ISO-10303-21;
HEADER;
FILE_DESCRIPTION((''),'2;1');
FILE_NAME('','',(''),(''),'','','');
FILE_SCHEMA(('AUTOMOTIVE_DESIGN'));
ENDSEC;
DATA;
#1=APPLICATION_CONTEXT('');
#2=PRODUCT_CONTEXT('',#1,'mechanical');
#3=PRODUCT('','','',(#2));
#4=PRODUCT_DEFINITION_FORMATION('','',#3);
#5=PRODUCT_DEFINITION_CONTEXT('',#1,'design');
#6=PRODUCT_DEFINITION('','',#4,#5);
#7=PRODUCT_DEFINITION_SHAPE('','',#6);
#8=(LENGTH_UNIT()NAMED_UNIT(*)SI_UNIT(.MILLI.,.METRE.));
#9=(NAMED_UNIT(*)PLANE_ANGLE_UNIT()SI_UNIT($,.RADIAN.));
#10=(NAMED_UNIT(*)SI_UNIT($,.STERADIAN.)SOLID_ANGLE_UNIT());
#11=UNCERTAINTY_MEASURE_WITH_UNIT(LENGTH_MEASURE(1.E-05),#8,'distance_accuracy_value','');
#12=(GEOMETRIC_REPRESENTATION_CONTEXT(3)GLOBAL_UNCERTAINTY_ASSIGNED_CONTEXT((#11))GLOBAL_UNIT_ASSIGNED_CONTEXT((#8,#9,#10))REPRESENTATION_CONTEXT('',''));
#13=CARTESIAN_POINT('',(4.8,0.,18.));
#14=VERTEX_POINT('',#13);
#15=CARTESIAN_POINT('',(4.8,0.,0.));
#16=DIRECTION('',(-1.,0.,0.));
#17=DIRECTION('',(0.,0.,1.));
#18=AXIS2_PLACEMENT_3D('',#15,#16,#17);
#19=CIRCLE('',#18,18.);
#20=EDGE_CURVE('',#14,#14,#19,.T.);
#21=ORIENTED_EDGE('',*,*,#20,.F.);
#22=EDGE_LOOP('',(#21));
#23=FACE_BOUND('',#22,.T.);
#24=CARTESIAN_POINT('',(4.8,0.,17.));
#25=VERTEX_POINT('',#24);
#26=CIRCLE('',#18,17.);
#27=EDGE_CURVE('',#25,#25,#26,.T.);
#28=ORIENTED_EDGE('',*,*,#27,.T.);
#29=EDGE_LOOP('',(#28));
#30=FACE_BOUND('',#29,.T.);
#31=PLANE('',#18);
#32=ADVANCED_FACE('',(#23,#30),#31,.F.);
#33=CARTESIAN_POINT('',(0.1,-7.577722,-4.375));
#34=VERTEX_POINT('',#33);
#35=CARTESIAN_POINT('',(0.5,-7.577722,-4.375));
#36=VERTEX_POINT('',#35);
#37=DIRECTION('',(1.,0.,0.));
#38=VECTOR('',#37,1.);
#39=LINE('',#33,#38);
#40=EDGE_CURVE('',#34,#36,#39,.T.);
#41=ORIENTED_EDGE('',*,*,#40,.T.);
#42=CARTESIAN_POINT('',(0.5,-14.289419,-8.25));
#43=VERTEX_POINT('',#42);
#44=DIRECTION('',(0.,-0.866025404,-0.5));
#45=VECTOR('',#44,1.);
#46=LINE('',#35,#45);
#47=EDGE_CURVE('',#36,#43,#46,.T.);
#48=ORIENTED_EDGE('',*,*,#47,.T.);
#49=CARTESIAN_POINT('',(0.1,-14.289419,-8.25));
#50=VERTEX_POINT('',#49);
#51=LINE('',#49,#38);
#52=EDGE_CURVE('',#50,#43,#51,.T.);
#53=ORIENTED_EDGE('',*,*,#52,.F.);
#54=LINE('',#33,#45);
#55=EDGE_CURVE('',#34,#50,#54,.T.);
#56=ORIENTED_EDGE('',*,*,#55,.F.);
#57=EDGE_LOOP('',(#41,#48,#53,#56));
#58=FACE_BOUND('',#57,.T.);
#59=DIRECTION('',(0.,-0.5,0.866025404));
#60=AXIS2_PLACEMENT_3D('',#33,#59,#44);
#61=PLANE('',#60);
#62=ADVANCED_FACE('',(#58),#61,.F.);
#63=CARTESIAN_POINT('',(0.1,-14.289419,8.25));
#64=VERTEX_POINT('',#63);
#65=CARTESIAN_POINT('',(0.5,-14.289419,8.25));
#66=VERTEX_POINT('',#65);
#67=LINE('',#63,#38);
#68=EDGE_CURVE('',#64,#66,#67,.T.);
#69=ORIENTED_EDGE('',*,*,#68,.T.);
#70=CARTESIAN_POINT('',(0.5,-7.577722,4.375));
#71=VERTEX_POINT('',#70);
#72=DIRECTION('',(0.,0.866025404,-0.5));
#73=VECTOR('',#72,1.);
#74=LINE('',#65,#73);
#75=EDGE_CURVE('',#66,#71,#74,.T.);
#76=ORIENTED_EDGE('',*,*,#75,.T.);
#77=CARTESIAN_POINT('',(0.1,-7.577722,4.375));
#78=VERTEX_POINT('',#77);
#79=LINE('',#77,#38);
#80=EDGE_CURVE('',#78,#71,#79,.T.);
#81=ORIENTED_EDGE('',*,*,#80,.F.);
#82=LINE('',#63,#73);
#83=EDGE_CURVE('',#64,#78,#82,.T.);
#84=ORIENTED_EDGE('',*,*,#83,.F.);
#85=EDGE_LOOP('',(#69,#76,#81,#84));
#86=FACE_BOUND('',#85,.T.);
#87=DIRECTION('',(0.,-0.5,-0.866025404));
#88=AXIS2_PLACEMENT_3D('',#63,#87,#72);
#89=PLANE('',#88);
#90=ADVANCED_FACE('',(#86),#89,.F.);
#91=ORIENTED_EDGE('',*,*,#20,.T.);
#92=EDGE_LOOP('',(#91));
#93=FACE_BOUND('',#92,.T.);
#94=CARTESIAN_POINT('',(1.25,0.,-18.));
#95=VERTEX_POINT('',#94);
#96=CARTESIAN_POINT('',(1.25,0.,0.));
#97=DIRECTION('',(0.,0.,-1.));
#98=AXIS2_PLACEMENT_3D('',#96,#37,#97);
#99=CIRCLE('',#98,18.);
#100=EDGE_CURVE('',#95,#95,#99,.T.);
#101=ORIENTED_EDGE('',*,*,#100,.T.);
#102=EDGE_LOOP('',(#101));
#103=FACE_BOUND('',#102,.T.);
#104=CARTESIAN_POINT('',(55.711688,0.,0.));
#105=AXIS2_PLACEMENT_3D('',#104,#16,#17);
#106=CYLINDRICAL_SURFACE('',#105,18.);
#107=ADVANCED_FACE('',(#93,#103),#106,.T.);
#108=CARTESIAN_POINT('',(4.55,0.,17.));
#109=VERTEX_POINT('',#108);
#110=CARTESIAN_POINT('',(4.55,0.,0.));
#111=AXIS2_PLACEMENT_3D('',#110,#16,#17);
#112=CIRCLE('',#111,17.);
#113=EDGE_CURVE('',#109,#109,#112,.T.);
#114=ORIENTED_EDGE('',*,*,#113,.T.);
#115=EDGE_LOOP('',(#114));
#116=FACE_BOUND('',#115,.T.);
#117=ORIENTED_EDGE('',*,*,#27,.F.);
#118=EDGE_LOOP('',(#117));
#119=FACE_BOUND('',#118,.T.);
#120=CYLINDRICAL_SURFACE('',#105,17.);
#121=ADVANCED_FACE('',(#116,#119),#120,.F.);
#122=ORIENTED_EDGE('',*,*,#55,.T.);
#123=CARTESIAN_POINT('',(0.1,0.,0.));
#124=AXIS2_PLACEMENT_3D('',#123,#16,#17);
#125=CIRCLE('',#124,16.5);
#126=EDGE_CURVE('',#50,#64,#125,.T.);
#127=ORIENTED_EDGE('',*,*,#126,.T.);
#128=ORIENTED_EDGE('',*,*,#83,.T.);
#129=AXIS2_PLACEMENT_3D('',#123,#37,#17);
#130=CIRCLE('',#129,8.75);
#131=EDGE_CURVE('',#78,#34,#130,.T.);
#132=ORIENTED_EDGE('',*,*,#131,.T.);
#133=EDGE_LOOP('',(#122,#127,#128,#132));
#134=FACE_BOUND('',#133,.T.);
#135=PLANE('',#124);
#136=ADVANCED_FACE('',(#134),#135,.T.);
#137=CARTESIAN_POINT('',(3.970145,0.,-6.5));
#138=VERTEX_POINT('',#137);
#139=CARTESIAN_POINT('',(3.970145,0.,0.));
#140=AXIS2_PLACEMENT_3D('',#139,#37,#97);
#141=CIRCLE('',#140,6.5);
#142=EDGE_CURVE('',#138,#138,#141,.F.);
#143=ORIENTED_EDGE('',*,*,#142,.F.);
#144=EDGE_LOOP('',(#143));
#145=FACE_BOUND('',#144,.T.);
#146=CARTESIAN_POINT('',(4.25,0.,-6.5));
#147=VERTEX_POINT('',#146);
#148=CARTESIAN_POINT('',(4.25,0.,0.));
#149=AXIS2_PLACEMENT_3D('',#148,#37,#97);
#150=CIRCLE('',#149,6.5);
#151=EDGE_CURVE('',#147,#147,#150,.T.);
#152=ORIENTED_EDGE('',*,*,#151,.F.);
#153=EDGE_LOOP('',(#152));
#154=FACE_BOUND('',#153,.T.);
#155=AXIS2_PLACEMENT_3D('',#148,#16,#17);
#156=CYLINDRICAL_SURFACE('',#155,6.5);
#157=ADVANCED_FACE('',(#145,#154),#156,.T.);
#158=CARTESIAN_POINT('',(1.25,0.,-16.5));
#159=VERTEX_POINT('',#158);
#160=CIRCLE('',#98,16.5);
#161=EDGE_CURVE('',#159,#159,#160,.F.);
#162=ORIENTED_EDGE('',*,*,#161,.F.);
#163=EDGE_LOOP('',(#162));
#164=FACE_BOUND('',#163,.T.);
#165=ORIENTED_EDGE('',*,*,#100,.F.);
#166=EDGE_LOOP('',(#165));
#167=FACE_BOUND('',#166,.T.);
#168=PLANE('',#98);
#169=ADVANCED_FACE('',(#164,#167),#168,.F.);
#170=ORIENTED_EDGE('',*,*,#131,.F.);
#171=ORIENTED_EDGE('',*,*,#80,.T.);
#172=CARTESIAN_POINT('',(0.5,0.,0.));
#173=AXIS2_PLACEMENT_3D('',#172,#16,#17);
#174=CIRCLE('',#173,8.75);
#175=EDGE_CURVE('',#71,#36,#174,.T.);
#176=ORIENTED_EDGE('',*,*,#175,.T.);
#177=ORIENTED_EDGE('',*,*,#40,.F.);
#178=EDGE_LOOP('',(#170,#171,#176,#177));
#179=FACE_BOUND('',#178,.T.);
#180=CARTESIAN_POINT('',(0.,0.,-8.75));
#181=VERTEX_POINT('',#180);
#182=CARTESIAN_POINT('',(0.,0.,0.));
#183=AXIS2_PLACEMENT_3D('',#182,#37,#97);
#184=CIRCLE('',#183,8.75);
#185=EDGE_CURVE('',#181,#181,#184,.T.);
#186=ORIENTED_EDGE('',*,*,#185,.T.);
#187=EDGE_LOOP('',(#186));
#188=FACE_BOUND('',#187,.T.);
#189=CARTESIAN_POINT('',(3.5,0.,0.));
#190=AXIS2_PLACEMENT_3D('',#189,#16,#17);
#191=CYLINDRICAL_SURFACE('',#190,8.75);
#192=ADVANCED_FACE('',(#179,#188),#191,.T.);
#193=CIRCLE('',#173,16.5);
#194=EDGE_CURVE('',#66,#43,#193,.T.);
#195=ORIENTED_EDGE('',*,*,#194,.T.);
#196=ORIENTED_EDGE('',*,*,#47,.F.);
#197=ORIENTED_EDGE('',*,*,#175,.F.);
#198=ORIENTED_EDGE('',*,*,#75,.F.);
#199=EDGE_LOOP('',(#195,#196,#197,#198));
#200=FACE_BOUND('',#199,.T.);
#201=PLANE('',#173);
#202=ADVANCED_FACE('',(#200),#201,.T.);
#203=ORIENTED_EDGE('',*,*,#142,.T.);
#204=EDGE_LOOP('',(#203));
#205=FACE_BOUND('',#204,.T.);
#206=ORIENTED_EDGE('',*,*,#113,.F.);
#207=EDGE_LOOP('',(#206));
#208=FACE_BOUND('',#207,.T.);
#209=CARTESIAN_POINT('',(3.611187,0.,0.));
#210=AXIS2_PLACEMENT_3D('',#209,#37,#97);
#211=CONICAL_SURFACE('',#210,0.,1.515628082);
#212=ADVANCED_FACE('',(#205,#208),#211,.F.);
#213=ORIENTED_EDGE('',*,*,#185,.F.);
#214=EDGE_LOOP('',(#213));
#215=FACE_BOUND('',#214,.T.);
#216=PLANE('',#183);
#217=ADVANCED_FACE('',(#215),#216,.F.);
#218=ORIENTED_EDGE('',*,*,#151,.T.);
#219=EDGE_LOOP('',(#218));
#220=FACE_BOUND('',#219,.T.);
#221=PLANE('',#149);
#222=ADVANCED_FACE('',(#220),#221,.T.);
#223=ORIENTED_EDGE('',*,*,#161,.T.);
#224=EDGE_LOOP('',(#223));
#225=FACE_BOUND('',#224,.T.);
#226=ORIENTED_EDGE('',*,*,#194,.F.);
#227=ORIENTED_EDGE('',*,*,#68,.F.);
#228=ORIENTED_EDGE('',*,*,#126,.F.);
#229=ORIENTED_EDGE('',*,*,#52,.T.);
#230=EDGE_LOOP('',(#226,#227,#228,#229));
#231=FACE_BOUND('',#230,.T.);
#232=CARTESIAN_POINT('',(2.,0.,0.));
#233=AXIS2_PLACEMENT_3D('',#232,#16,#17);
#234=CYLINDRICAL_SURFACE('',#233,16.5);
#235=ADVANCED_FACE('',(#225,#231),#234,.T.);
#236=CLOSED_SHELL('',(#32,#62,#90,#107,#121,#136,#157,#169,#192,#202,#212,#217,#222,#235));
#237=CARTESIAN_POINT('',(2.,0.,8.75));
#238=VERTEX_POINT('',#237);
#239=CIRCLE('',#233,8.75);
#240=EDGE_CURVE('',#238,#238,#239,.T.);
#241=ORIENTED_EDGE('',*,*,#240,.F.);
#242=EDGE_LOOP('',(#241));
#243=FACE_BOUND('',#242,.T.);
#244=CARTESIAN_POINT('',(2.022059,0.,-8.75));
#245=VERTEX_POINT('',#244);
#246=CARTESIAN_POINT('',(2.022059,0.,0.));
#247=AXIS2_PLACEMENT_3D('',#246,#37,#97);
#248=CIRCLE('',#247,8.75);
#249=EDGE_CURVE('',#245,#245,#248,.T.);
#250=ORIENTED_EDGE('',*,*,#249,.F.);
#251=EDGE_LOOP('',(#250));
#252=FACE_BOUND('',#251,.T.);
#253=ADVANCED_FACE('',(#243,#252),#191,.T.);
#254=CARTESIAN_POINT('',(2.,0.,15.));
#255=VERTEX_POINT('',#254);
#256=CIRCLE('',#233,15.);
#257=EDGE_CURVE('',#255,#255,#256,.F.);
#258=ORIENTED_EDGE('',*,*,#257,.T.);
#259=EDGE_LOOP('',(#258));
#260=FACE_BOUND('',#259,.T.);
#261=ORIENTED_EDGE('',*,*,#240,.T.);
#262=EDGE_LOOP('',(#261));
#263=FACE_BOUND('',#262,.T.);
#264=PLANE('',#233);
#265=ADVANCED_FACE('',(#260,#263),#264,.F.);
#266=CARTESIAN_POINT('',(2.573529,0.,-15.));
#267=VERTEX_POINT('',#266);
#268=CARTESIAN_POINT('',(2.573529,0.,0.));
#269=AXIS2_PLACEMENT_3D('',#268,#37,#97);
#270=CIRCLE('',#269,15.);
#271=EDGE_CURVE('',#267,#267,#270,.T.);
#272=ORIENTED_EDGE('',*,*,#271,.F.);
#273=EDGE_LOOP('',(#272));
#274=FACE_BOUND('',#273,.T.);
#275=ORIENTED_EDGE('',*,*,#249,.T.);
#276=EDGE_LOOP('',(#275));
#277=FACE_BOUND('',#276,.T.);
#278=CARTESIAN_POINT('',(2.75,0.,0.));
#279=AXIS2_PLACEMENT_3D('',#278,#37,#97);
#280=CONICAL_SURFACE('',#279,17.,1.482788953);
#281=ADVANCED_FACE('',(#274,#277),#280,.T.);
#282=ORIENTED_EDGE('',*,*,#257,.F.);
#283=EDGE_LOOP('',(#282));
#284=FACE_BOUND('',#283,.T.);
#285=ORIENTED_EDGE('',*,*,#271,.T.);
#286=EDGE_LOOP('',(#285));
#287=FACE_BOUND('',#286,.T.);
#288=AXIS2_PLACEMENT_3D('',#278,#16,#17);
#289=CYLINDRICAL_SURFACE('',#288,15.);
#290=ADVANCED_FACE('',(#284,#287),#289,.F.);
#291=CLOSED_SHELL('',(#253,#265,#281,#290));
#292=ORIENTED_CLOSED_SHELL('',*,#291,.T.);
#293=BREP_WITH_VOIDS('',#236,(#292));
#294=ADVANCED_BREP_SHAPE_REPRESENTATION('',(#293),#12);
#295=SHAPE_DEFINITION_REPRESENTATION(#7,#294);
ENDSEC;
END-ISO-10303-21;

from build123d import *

# Parameters (mm, degrees)
SKETCH2_R           = 8.75
BOSS_EXTRUDE2_DEPTH = 3.5
SKETCH3_R           = 16.5
BOSS_EXTRUDE3_DEPTH = 1.5
SKETCH5_R           = 18
SKETCH5_R_2         = 17
BOSS_EXTRUDE4_DEPTH = 3.55
SKETCH6_R           = 17
SKETCH6_R_2         = 15
BOSS_EXTRUDE5_DEPTH = 1.5
SKETCH8_R           = 6.5
BOSS_EXTRUDE6_DEPTH = 0.75
BOSS_EXTRUDE7_DEPTH = 0.4


with BuildPart() as part:
    # Sketch2 → Boss-Extrude2 (new body)
    with BuildSketch(Plane(origin=(0, 0, 0), x_dir=(0, 0, -1), z_dir=(1, 0, 0))):
        Circle(SKETCH2_R)
    extrude(amount=BOSS_EXTRUDE2_DEPTH)

    # Sketch3 → Boss-Extrude3 (add)
    with BuildSketch(Plane.ZY.offset(-0.5)):
        Circle(SKETCH3_R)
    extrude(amount=-BOSS_EXTRUDE3_DEPTH)



with BuildPart() as body_2:
    # Sketch5 → Boss-Extrude4 (new body)
    with BuildSketch(Plane(origin=(1.25, 0, 0), x_dir=(0, 0, -1), z_dir=(1, 0, 0))):
        Circle(SKETCH5_R)
        Circle(SKETCH5_R_2, mode=Mode.SUBTRACT)
    extrude(amount=BOSS_EXTRUDE4_DEPTH)


with BuildPart() as part_1:
    add(part.part)

    add(body_2.part)  # Boss-Extrude5 merges body 2
    # Sketch6 → Boss-Extrude5 (add)
    with BuildSketch(Plane(origin=(1.25, 0, 0), x_dir=(0, 0, -1), z_dir=(1, 0, 0))):
        Circle(SKETCH6_R)
        Circle(SKETCH6_R_2, mode=Mode.SUBTRACT)
    extrude(amount=BOSS_EXTRUDE5_DEPTH)

    # Sketch8 → Boss-Extrude6 (add)
    with BuildSketch(Plane(origin=(3.5, 0, 0), x_dir=(0, 0, -1), z_dir=(1, 0, 0))):
        Circle(SKETCH8_R)
    extrude(amount=BOSS_EXTRUDE6_DEPTH)

    # Sketch10 → Revolve1 (revolve)
    with BuildSketch(Plane(origin=(0, 0, 0), x_dir=(1, 0, 0), z_dir=(0, 1, 0))):
        Polygon((1.25, 0), (3.611187211, 0), (4.55, 17), (2.75, 17), align=None)
    revolve(axis=Axis((1.25, 0, 0), (1, 0, 0)))

    # Sketch11 → Boss-Extrude7 (add)
    with BuildSketch(Plane.ZY.offset(-0.5)):
        with BuildLine():
            Line((8.25, -14.289419162), (4.375, -7.577722283))
            ThreePointArc((4.375, -7.577722283), (0, -8.75), (-4.375, -7.577722283))
            Line((-4.375, -7.577722283), (-8.25, -14.289419162))
            ThreePointArc((-8.25, -14.289419162), (0, -16.5), (8.25, -14.289419162))
        make_face()
    extrude(amount=BOSS_EXTRUDE7_DEPTH)


solid = part_1.part
